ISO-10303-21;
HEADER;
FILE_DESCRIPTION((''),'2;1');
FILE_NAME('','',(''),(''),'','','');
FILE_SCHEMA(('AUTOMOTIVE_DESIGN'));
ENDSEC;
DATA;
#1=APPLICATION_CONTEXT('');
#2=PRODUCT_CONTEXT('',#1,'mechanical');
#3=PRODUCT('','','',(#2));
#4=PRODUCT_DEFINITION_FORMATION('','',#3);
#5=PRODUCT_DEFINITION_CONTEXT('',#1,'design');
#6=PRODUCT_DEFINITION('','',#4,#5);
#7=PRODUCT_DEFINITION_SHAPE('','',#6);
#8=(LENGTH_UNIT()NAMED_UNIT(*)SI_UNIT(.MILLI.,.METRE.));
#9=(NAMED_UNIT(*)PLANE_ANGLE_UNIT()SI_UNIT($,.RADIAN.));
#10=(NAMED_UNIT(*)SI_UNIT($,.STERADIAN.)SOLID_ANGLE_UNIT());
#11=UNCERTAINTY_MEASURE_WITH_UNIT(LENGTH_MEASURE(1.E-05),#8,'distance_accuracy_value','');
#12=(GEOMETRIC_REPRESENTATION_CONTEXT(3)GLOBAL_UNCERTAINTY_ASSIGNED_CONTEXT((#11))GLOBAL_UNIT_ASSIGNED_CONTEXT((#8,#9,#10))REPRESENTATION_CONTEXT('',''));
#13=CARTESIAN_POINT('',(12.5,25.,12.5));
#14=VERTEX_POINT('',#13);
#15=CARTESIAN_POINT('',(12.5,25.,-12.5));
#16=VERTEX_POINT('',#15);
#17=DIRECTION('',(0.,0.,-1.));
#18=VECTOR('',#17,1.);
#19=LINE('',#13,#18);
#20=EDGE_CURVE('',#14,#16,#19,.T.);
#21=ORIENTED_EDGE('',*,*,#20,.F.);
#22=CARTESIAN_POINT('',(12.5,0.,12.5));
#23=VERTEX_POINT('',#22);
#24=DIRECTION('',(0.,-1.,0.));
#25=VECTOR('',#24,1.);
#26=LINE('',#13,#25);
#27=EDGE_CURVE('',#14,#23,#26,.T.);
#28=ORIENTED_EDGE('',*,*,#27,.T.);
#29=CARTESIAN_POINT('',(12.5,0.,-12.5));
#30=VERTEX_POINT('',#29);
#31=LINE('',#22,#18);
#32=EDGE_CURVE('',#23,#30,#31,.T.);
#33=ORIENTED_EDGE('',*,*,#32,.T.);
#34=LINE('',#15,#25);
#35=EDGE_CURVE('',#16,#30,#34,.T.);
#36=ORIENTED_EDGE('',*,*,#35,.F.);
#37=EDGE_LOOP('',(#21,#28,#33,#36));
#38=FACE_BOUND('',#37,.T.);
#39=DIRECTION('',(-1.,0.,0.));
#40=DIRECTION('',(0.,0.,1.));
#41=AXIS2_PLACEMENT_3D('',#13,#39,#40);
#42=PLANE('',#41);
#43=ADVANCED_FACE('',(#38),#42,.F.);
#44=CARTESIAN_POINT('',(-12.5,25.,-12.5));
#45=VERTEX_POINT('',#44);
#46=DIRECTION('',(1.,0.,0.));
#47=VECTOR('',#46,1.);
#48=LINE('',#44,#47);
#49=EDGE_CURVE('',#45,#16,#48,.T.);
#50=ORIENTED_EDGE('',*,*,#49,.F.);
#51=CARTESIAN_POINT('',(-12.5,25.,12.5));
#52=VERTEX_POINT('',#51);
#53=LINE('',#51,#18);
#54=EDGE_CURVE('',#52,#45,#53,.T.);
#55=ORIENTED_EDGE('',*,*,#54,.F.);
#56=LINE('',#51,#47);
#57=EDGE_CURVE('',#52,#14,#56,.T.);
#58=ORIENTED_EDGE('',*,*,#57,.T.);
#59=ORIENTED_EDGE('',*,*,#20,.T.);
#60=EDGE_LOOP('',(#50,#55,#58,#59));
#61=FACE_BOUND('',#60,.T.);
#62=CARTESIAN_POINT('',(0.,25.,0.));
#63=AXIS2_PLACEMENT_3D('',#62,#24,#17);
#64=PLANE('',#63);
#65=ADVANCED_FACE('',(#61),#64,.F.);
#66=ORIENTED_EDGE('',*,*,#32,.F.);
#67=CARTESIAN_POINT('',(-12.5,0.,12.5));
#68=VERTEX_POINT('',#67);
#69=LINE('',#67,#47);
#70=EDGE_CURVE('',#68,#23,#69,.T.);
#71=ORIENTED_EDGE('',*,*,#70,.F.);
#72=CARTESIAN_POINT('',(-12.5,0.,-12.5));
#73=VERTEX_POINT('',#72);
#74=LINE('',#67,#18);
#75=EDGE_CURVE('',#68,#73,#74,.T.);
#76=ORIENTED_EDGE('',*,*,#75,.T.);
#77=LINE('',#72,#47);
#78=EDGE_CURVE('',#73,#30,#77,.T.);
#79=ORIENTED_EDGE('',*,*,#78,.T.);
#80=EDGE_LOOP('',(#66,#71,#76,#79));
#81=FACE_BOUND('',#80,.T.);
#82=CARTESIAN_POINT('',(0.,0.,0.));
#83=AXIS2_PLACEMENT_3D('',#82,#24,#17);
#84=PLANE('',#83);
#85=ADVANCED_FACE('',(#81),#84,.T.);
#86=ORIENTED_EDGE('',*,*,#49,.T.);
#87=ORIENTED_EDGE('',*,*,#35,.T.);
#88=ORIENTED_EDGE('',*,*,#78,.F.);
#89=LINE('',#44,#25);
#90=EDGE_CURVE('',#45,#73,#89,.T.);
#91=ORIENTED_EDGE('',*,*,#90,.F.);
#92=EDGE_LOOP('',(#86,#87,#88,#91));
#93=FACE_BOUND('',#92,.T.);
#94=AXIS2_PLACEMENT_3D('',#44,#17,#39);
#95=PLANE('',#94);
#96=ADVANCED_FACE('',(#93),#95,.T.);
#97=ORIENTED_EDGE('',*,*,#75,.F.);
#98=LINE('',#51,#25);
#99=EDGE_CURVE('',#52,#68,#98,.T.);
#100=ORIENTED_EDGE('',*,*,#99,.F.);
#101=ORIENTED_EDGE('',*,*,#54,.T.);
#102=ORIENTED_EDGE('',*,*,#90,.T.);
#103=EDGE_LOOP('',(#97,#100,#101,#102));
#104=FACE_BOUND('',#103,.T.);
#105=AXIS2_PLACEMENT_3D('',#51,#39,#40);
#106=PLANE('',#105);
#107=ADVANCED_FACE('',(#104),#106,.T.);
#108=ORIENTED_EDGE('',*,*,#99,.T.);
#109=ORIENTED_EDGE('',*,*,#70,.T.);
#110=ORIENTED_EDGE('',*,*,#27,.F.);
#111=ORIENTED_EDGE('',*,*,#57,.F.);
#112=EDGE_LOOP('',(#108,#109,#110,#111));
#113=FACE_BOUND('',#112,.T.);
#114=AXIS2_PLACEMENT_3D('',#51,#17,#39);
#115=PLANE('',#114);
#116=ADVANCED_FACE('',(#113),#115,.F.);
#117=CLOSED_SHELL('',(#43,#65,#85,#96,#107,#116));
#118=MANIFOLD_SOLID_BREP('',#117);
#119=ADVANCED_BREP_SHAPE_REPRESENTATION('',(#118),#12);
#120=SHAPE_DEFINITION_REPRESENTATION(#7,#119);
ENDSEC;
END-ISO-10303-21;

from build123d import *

# Parameters (mm, degrees)
SKETCH1_W           = 25
SKETCH1_H           = 25
BOSS_EXTRUDE1_DEPTH = 25


with BuildPart() as part:
    # Sketch1 → Boss-Extrude1 (new body)
    with BuildSketch(Plane(origin=(0, 0, 0), x_dir=(1, 0, 0), z_dir=(0, 1, 0))):
        Rectangle(SKETCH1_W, SKETCH1_H)
    extrude(amount=BOSS_EXTRUDE1_DEPTH)


solid = part.part
